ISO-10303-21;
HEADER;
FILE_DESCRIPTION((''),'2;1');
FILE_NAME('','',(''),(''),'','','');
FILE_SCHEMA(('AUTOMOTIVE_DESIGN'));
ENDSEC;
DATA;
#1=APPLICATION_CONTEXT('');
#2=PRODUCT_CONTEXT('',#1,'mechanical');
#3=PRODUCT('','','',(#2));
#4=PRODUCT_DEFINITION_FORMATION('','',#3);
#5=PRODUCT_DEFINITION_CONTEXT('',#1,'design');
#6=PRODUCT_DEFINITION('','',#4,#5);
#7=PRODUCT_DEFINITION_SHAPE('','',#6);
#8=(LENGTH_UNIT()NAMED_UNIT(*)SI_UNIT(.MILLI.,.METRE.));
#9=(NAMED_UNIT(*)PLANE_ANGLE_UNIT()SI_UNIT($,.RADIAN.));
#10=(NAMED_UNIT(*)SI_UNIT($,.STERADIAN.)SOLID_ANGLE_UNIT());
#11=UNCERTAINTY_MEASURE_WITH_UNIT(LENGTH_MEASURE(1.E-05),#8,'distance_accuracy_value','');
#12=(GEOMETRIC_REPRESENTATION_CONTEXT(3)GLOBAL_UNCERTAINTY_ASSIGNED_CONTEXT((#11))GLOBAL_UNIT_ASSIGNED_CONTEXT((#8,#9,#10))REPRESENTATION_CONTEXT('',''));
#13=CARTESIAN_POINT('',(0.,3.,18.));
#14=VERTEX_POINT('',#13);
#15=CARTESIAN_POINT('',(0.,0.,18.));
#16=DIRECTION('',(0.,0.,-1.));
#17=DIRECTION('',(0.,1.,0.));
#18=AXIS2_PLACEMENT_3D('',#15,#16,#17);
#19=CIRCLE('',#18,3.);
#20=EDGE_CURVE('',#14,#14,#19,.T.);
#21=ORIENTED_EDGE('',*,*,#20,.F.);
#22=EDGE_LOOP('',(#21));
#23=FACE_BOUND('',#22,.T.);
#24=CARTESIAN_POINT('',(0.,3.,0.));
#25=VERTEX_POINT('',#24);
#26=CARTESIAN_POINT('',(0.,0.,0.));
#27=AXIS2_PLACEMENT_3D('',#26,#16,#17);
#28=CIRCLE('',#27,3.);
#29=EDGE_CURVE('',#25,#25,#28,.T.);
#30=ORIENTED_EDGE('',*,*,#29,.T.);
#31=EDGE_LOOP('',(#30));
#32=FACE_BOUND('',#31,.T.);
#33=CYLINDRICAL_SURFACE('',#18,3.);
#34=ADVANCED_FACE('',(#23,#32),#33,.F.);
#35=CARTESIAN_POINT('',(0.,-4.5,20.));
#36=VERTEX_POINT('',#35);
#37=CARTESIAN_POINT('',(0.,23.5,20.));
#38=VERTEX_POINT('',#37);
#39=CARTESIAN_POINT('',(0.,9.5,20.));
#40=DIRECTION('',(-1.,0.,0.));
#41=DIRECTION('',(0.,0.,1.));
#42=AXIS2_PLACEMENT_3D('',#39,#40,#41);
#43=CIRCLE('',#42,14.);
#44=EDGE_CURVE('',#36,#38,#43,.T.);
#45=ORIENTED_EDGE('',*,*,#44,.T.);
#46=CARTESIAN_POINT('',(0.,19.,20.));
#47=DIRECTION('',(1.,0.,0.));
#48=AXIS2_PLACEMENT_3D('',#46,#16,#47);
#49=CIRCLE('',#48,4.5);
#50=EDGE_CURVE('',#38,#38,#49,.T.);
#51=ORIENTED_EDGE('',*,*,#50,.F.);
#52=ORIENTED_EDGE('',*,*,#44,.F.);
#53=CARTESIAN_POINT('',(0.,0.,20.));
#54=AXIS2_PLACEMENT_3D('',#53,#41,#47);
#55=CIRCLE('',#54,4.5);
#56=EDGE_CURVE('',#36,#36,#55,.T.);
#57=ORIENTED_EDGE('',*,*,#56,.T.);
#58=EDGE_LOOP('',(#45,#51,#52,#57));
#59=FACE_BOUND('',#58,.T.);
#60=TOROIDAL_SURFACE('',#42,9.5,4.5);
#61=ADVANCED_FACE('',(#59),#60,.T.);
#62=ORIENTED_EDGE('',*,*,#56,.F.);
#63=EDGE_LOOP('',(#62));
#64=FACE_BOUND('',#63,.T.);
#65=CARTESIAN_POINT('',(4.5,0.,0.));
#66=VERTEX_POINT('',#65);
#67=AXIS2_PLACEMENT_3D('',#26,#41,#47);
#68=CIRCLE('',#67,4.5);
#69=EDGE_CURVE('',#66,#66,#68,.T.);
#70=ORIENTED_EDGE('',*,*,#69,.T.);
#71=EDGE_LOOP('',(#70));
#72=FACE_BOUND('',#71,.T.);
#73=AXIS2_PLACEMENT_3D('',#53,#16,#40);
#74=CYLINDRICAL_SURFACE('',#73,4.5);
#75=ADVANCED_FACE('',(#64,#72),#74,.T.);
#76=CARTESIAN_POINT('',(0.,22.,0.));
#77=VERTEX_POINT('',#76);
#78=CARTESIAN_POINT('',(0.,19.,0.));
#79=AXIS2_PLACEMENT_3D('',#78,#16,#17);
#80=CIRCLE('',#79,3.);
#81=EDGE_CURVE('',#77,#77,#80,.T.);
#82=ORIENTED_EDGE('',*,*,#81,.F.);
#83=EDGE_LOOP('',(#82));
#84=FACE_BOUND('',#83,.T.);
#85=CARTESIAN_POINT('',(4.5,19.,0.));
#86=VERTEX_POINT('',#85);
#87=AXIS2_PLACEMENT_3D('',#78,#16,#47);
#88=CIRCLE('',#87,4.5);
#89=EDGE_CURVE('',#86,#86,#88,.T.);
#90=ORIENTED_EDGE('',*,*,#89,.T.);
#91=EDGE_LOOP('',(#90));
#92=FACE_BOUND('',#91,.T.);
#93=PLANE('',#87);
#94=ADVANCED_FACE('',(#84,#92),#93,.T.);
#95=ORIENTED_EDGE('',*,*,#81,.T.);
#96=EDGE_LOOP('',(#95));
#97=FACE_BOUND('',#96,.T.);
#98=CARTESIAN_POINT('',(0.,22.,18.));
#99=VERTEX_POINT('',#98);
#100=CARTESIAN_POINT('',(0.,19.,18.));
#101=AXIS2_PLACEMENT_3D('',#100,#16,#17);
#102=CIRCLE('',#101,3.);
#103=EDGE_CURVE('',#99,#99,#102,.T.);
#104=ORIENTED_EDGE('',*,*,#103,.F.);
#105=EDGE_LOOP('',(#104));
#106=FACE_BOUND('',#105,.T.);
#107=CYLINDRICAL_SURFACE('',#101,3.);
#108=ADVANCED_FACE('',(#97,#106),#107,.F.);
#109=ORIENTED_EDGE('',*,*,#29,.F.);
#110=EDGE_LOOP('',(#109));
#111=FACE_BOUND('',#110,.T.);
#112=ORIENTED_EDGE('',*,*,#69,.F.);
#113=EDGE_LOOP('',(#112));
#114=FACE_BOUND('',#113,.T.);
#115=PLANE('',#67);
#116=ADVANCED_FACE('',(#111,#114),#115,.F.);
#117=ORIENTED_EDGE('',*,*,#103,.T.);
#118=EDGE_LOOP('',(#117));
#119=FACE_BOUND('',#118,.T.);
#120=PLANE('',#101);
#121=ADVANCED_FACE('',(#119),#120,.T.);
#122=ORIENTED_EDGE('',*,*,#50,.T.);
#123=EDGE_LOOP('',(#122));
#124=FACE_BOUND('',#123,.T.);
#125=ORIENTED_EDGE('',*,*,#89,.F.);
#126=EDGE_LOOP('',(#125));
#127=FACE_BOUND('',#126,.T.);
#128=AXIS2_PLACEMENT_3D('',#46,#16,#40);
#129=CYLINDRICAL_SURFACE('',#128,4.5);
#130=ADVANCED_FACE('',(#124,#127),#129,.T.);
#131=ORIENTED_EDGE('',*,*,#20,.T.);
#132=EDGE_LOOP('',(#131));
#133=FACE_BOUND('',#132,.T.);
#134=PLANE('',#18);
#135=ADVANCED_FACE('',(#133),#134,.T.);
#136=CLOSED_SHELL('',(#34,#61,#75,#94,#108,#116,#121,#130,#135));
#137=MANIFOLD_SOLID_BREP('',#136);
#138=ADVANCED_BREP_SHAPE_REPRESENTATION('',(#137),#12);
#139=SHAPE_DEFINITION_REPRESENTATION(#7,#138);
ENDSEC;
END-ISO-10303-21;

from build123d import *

# Parameters (mm, degrees)
ESQUISSE2_R             = 4.5
ESQUISSE4_R             = 3
ENL_V_MAT_EXTRU_1_DEPTH = 18


with BuildPart() as part:
    # Base-Balayage: sweep along a path in Esquisse3
    with BuildLine(Plane(origin=(0, 0, 0), x_dir=(0, 0, -1), z_dir=(1, 0, 0))) as base_balayage_path:
        Line((0, 0), (-20, 0))
        ThreePointArc((-20, 0), (-29.5, 9.5), (-20, 19))
        Line((-20, 19), (0, 19))
    # Esquisse2 → Base-Balayage (sweep)
    with BuildSketch(Plane.XY):
        Circle(ESQUISSE2_R)
    sweep(path=base_balayage_path.line)

    # Esquisse4 → Enlèv. mat.-Extru.1 (cut)
    with BuildSketch(Plane(origin=(0, 0, 0), x_dir=(-1, 0, 0), z_dir=(0, 0, -1))):
        with Locations(Location((0, 19, 0), (0, 0, 90))):
            Circle(ESQUISSE4_R)
        with Locations(Location((0, 0, 0), (0, 0, 90))):
            Circle(ESQUISSE4_R)
    extrude(amount=-ENL_V_MAT_EXTRU_1_DEPTH, mode=Mode.SUBTRACT)


solid = part.part
